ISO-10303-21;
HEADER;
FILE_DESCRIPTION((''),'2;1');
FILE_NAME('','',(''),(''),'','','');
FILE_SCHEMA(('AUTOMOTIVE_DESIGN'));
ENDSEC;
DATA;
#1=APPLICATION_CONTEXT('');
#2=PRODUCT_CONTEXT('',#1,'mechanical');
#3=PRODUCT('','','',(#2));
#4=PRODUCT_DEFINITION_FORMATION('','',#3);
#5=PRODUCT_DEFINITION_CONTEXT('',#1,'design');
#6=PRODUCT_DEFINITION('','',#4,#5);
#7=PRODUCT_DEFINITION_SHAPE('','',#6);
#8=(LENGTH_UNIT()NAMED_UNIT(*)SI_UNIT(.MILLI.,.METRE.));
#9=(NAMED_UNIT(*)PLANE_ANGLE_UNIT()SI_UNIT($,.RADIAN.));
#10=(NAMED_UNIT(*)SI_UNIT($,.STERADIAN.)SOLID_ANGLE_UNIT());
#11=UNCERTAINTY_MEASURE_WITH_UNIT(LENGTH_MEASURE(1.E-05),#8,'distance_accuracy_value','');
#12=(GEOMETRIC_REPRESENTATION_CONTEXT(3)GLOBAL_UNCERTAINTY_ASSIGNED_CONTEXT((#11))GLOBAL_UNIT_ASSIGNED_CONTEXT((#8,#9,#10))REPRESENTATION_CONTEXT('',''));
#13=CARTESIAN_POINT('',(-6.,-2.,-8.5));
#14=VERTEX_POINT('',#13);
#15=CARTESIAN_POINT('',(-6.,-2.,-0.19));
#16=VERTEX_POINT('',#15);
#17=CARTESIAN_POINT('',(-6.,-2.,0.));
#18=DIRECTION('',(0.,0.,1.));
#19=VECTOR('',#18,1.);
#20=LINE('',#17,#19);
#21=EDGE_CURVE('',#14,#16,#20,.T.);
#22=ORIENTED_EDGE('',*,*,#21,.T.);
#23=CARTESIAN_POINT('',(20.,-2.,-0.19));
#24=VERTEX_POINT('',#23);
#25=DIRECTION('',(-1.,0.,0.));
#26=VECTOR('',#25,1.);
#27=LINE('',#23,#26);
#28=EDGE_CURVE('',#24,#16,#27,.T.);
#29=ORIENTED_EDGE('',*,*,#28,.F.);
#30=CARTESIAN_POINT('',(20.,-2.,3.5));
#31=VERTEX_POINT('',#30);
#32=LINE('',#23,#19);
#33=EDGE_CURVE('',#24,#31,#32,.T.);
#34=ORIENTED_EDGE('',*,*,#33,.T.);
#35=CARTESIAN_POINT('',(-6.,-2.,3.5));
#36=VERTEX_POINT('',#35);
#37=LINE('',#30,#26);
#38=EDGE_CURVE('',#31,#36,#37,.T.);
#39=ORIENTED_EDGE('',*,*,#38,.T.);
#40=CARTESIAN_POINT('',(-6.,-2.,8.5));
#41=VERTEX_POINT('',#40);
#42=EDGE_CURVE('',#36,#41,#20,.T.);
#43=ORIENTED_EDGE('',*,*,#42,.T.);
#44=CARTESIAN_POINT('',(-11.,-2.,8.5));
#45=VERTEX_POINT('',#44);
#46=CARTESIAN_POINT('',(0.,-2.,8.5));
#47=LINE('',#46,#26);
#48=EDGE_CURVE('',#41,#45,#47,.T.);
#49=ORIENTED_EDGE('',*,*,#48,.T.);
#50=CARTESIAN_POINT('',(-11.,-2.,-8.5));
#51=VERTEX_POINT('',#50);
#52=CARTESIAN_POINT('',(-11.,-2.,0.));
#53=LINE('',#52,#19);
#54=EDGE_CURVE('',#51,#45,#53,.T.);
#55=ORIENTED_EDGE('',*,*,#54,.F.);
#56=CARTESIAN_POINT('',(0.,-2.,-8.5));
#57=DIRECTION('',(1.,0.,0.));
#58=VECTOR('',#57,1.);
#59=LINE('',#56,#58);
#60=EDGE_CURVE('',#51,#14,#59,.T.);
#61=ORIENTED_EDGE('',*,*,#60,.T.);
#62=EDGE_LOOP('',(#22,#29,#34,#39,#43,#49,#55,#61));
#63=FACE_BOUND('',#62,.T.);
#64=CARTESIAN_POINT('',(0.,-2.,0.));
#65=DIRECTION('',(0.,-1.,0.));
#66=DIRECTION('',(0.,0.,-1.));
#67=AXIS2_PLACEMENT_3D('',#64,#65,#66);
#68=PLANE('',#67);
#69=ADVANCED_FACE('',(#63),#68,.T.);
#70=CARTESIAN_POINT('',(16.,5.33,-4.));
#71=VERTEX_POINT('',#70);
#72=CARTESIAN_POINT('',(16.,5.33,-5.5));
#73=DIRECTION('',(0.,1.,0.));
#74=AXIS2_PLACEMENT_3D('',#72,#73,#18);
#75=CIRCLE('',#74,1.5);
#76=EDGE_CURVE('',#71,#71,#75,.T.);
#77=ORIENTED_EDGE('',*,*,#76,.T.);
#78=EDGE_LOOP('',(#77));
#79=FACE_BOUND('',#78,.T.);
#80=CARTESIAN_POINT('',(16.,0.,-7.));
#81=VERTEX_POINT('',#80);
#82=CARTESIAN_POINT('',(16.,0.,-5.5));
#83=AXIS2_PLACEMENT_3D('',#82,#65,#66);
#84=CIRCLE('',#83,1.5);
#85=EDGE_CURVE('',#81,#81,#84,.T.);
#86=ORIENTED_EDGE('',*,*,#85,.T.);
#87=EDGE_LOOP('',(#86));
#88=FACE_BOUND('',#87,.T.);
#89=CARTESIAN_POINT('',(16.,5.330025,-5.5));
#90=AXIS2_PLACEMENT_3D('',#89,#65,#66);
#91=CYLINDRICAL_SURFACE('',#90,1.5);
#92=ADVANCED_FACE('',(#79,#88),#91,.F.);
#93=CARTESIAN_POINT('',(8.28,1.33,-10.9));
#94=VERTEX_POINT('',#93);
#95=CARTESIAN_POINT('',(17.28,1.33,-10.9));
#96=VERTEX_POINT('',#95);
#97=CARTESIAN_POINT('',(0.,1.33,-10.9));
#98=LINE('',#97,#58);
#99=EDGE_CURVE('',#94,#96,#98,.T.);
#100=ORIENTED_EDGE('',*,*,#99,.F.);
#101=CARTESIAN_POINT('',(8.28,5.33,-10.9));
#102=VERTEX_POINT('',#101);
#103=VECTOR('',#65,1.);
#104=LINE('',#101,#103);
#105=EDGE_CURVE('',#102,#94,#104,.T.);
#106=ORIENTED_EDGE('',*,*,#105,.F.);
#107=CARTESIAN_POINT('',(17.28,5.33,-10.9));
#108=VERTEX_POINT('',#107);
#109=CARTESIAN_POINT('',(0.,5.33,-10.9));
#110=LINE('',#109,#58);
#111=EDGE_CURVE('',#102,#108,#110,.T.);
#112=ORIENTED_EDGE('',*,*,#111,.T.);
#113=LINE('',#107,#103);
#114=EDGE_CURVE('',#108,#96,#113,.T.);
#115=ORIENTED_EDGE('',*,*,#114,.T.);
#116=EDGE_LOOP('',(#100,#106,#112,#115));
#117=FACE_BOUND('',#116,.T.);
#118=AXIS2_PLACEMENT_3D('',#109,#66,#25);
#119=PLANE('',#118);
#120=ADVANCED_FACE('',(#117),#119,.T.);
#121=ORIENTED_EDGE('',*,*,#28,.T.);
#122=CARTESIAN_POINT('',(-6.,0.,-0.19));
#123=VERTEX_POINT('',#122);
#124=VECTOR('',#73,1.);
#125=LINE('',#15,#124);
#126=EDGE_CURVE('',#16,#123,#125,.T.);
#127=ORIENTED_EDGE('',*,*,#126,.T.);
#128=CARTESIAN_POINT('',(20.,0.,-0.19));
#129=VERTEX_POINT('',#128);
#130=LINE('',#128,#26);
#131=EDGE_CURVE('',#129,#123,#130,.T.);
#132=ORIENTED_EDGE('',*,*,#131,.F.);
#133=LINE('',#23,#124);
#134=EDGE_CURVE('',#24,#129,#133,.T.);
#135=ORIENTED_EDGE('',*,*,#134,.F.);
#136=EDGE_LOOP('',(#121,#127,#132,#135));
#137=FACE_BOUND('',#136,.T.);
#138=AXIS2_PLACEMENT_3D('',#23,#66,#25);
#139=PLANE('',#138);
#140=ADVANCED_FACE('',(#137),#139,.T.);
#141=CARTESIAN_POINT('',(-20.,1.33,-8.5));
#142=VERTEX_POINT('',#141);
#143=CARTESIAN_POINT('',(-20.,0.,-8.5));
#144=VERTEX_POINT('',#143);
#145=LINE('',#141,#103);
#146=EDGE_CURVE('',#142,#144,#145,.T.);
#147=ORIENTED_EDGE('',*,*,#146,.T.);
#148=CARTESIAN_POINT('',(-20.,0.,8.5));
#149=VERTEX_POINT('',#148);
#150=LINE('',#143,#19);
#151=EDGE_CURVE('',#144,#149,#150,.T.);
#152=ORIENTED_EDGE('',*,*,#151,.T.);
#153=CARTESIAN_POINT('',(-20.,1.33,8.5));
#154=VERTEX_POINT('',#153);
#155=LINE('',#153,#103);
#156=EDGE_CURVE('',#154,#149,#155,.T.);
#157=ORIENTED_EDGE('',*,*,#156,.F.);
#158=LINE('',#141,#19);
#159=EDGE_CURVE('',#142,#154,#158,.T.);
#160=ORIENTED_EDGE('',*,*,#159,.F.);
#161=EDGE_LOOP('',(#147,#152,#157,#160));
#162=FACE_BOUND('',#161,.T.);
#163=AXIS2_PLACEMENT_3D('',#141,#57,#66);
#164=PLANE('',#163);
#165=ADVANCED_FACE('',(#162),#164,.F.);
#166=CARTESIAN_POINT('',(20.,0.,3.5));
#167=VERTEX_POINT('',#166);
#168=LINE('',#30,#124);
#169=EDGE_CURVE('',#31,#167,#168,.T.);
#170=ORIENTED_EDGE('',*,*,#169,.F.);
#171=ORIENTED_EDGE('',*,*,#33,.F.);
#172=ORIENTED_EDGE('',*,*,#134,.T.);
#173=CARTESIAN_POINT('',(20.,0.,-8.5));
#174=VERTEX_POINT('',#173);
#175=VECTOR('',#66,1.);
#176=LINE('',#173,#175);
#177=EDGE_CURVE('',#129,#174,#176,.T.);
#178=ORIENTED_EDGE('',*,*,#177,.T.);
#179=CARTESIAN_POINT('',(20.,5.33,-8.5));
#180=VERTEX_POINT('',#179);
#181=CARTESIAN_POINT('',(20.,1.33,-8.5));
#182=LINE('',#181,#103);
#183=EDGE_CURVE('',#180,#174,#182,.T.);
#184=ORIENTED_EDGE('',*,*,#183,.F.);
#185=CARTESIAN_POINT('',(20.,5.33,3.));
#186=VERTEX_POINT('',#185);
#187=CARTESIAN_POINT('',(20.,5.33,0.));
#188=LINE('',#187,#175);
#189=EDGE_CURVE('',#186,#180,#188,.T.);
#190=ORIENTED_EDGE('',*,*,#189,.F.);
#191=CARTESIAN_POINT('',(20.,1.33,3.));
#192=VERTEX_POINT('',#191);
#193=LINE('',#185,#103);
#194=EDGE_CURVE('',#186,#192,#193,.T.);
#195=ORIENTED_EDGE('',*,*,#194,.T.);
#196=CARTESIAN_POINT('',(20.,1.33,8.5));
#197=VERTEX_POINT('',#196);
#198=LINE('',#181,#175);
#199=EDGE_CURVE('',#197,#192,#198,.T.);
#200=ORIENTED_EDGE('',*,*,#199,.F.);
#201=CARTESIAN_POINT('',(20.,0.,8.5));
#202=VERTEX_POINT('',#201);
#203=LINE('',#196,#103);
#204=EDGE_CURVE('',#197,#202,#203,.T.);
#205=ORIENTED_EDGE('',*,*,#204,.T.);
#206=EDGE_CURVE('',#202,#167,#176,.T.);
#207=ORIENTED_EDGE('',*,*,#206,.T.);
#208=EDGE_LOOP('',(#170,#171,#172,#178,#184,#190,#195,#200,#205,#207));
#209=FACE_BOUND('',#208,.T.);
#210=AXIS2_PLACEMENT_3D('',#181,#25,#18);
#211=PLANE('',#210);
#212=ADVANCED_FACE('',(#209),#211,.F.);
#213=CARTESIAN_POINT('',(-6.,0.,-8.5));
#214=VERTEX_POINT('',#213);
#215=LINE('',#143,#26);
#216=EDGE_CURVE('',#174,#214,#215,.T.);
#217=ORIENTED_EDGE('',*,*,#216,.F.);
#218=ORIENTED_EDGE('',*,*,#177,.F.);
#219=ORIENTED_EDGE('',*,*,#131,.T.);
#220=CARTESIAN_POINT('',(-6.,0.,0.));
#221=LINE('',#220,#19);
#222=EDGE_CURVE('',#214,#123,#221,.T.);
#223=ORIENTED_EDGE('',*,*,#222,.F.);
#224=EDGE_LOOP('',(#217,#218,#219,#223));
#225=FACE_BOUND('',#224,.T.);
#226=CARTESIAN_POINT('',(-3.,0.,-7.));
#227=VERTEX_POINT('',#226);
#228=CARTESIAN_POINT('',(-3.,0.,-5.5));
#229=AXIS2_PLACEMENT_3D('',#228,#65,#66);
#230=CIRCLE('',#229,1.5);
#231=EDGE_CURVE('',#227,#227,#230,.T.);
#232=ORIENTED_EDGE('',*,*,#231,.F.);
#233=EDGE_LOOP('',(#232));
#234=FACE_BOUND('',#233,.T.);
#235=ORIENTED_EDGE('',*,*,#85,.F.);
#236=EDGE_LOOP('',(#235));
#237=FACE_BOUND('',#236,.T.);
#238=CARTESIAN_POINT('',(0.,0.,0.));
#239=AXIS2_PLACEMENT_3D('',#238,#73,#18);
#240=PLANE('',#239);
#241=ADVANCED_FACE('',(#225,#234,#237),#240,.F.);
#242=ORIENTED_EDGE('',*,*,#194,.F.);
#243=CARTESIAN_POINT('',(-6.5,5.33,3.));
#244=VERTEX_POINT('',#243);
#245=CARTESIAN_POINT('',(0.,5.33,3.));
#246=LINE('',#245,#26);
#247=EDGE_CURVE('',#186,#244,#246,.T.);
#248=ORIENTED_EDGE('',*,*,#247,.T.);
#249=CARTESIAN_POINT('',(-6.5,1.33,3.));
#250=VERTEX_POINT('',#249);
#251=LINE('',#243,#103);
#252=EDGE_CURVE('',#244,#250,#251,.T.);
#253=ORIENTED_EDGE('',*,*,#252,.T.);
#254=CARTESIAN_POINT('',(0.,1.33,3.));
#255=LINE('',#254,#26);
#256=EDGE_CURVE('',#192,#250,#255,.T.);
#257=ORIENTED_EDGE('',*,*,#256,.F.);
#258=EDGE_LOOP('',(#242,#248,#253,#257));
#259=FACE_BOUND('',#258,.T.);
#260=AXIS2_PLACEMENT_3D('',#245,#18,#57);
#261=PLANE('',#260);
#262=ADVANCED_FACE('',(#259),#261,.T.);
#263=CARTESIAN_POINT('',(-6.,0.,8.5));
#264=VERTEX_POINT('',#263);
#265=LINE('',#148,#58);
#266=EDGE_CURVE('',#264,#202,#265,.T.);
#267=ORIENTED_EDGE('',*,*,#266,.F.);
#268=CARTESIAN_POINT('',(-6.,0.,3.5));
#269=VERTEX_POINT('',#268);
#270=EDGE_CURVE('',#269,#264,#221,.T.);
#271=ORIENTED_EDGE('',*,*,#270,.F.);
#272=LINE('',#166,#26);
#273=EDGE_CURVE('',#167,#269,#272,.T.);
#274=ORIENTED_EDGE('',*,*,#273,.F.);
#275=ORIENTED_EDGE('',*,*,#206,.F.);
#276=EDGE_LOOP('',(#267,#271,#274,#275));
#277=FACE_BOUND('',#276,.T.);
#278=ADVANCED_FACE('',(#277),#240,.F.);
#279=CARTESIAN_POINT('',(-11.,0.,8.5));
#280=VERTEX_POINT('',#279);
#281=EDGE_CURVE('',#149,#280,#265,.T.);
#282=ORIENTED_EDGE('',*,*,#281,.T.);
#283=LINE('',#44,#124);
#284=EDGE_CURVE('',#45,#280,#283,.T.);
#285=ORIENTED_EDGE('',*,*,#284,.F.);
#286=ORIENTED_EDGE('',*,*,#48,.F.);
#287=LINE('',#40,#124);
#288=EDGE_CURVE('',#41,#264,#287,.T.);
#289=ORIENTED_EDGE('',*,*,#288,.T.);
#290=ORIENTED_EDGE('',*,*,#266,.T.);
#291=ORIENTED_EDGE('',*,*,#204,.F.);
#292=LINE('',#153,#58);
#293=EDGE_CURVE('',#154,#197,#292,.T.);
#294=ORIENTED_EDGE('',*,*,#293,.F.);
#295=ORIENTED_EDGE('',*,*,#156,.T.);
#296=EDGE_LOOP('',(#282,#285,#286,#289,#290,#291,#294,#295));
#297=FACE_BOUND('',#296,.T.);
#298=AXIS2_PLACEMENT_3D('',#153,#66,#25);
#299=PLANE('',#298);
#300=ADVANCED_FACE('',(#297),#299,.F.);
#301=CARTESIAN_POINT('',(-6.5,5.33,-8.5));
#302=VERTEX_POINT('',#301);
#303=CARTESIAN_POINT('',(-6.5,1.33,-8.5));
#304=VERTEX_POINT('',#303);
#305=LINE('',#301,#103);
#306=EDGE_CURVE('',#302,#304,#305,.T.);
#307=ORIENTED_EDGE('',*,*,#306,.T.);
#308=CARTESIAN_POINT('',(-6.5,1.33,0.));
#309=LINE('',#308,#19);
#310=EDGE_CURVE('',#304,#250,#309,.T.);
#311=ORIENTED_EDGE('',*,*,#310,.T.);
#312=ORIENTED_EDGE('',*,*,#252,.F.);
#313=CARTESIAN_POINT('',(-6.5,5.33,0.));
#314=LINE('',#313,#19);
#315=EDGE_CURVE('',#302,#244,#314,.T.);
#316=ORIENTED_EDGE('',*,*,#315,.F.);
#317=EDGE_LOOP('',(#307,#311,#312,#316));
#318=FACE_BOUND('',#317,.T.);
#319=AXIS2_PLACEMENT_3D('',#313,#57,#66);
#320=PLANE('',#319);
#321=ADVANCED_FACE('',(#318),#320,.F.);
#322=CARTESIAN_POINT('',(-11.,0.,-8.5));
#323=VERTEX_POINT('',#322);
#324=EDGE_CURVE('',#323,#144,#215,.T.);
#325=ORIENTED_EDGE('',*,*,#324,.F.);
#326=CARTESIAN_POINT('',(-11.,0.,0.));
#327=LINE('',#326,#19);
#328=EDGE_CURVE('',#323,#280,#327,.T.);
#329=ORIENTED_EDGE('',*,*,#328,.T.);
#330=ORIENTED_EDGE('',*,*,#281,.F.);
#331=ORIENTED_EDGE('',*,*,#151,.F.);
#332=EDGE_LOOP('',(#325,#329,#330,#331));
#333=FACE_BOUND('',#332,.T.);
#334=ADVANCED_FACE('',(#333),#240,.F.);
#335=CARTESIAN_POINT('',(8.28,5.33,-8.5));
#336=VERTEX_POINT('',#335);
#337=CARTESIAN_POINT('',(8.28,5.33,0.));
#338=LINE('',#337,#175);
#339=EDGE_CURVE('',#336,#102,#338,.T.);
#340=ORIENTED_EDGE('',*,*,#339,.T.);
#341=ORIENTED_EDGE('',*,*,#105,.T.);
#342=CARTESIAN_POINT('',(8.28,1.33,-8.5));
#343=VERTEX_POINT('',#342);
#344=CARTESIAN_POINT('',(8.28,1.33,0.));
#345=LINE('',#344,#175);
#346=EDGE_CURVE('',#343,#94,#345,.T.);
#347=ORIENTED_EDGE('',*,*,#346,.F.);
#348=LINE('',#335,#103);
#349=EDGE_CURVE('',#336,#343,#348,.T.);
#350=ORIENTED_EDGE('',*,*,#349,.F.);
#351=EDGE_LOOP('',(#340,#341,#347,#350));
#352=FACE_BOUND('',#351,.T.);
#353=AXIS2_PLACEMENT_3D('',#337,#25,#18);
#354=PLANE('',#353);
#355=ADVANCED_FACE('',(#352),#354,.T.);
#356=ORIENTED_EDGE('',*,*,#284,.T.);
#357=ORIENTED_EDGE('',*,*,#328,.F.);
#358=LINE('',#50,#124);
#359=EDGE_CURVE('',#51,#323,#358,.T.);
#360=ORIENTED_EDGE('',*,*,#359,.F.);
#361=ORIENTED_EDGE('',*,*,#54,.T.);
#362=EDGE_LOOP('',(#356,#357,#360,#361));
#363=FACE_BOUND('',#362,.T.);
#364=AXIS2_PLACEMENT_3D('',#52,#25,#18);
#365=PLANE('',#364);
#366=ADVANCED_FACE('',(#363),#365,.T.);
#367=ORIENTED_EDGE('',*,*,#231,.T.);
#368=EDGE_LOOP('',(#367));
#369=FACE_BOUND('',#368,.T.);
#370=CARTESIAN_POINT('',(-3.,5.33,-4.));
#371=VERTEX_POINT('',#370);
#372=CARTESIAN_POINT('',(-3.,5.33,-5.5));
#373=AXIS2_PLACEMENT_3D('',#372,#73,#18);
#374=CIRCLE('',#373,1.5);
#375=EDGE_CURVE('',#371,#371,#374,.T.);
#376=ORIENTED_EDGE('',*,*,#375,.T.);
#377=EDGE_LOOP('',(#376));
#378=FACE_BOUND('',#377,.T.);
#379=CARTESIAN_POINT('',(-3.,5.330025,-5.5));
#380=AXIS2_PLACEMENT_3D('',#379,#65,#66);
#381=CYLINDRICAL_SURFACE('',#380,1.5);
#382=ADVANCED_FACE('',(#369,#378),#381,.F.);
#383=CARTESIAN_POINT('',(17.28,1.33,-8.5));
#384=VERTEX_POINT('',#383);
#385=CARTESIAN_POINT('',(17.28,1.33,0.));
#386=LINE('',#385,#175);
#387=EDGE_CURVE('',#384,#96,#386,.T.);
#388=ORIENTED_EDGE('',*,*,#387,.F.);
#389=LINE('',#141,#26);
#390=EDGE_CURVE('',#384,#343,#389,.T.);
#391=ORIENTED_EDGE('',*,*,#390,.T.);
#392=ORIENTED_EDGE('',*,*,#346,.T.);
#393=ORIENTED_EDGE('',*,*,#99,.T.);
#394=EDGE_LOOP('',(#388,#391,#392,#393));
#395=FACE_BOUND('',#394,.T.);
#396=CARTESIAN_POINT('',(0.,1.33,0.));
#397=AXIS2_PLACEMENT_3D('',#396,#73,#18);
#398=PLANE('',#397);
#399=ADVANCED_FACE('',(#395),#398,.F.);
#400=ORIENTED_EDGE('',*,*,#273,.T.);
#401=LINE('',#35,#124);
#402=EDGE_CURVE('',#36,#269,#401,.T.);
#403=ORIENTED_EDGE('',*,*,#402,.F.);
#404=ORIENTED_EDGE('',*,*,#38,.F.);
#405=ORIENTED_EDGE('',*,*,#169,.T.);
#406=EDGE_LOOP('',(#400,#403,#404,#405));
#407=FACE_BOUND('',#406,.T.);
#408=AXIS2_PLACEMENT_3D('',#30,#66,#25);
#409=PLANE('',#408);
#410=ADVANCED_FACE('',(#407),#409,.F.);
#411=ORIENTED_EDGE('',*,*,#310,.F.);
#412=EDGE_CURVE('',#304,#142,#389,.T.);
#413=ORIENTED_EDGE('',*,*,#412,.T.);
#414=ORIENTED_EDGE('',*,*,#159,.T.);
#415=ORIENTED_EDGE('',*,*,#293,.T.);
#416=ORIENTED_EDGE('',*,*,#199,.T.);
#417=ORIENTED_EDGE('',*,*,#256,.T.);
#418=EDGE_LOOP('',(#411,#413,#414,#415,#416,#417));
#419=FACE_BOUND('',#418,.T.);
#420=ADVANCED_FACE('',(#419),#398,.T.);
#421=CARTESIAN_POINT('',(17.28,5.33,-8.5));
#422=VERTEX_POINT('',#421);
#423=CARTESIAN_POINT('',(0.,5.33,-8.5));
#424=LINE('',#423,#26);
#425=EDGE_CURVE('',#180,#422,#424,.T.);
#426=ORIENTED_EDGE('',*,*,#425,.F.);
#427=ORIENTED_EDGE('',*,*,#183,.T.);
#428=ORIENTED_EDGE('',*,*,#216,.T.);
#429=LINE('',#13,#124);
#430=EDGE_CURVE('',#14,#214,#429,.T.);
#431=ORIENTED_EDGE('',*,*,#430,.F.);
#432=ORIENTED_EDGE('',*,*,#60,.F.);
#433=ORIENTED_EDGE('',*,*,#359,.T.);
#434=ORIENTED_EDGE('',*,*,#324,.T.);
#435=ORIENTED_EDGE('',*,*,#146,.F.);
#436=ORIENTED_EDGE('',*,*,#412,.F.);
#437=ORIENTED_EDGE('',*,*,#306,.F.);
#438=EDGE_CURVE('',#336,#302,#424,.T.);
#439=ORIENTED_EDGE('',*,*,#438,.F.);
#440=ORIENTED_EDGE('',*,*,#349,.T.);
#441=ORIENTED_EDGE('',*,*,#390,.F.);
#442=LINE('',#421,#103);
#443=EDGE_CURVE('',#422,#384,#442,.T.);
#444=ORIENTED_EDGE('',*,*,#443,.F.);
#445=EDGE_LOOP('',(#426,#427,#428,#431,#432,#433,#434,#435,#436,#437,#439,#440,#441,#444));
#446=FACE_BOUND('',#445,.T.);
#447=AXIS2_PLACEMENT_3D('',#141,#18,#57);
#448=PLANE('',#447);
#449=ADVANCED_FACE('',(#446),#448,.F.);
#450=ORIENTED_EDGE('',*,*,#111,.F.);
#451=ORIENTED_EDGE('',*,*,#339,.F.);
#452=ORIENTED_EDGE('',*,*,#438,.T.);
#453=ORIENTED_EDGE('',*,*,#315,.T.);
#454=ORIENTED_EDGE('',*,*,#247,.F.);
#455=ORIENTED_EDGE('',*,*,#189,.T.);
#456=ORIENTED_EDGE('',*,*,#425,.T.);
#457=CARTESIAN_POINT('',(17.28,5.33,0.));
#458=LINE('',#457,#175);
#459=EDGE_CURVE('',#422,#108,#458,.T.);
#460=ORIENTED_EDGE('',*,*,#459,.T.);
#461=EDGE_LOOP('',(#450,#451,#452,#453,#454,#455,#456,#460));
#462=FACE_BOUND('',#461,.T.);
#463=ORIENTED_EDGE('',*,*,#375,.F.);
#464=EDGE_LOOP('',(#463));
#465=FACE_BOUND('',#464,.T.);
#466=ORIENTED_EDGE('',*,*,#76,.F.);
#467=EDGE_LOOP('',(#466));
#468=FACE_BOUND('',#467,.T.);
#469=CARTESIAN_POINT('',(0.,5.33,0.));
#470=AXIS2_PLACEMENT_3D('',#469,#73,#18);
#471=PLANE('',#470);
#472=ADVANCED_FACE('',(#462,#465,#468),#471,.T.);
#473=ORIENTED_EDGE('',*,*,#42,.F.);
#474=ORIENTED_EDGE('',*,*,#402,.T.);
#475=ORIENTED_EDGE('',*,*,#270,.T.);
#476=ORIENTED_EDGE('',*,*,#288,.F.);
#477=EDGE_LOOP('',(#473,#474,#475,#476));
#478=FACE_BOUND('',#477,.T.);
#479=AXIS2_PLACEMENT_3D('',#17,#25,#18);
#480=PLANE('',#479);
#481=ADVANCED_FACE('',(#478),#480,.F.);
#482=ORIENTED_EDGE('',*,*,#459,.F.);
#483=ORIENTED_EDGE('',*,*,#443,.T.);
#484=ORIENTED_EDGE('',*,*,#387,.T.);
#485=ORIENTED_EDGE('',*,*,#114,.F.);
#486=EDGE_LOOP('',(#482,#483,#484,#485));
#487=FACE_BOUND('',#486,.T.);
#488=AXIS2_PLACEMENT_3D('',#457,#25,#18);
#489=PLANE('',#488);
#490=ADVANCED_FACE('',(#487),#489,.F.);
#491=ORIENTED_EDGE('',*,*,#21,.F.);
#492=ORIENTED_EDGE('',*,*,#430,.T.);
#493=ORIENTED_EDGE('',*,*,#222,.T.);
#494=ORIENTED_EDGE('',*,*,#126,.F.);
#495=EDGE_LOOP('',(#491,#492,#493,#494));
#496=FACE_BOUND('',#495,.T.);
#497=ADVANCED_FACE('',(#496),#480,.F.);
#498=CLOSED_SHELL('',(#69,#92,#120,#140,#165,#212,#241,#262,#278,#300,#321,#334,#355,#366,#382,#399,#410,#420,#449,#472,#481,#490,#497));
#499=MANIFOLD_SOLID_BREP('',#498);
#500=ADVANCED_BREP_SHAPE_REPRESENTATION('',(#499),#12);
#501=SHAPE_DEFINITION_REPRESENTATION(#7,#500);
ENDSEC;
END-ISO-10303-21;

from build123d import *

# Parameters (mm, degrees)
SKETCH_1_W          = 40
SKETCH_1_H          = 17
EXTRUDE_1_DEPTH     = 1.33
SKETCH_2_W          = 9
SKETCH_2_H          = 2.4
EXTRUDE_2_DEPTH     = 4
SKETCH_3_W          = 26
SKETCH_3_H          = 3.69
EXTRUDE_3_DEPTH     = 2
SKETCH_4_R          = 1.5
CUT_EXTRUDE_1_DEPTH = 24.392710403


with BuildPart() as part:
    # Эскиз1 → Бобышка-Вытянуть1 (new body)
    with BuildSketch(Plane(origin=(0, 0, 0), x_dir=(1, 0, 0), z_dir=(0, 1, 0))):
        Rectangle(SKETCH_1_W, SKETCH_1_H)
    extrude(amount=EXTRUDE_1_DEPTH)

    # Эскиз2 → Бобышка-Вытянуть2 (add)
    with BuildSketch(Plane(origin=(0, 1.33, 0), x_dir=(1, 0, 0), z_dir=(0, 1, 0))):
        Polygon((20, -3), (20, 8.5), (17.28, 8.5), (8.28, 8.5), (-6.5, 8.5), (-6.5, -3), align=None)
        with Locations((12.78, 9.7)):
            Rectangle(SKETCH_2_W, SKETCH_2_H)
    extrude(amount=EXTRUDE_2_DEPTH)

    # Эскиз3 → Бобышка-Вытянуть3 (add)
    with BuildSketch(Plane.XZ):
        Polygon((-11, -8.5), (-6, -8.5), (-6, -0.19), (-6, 3.5), (-6, 8.5), (-11, 8.5), align=None)
        with Locations((7, 1.655)):
            Rectangle(SKETCH_3_W, SKETCH_3_H)
    extrude(amount=EXTRUDE_3_DEPTH)

    # Эскиз4 → Вырез-Вытянуть1 (cut, through all)
    with BuildSketch(Plane.XZ):
        with Locations(Location((16, -5.5, 0), (0, 0, 270))):
            Circle(SKETCH_4_R)
        with Locations(Location((-3, -5.5, 0), (0, 0, 270))):
            Circle(SKETCH_4_R)
    extrude(amount=-CUT_EXTRUDE_1_DEPTH, mode=Mode.SUBTRACT)


solid = part.part
